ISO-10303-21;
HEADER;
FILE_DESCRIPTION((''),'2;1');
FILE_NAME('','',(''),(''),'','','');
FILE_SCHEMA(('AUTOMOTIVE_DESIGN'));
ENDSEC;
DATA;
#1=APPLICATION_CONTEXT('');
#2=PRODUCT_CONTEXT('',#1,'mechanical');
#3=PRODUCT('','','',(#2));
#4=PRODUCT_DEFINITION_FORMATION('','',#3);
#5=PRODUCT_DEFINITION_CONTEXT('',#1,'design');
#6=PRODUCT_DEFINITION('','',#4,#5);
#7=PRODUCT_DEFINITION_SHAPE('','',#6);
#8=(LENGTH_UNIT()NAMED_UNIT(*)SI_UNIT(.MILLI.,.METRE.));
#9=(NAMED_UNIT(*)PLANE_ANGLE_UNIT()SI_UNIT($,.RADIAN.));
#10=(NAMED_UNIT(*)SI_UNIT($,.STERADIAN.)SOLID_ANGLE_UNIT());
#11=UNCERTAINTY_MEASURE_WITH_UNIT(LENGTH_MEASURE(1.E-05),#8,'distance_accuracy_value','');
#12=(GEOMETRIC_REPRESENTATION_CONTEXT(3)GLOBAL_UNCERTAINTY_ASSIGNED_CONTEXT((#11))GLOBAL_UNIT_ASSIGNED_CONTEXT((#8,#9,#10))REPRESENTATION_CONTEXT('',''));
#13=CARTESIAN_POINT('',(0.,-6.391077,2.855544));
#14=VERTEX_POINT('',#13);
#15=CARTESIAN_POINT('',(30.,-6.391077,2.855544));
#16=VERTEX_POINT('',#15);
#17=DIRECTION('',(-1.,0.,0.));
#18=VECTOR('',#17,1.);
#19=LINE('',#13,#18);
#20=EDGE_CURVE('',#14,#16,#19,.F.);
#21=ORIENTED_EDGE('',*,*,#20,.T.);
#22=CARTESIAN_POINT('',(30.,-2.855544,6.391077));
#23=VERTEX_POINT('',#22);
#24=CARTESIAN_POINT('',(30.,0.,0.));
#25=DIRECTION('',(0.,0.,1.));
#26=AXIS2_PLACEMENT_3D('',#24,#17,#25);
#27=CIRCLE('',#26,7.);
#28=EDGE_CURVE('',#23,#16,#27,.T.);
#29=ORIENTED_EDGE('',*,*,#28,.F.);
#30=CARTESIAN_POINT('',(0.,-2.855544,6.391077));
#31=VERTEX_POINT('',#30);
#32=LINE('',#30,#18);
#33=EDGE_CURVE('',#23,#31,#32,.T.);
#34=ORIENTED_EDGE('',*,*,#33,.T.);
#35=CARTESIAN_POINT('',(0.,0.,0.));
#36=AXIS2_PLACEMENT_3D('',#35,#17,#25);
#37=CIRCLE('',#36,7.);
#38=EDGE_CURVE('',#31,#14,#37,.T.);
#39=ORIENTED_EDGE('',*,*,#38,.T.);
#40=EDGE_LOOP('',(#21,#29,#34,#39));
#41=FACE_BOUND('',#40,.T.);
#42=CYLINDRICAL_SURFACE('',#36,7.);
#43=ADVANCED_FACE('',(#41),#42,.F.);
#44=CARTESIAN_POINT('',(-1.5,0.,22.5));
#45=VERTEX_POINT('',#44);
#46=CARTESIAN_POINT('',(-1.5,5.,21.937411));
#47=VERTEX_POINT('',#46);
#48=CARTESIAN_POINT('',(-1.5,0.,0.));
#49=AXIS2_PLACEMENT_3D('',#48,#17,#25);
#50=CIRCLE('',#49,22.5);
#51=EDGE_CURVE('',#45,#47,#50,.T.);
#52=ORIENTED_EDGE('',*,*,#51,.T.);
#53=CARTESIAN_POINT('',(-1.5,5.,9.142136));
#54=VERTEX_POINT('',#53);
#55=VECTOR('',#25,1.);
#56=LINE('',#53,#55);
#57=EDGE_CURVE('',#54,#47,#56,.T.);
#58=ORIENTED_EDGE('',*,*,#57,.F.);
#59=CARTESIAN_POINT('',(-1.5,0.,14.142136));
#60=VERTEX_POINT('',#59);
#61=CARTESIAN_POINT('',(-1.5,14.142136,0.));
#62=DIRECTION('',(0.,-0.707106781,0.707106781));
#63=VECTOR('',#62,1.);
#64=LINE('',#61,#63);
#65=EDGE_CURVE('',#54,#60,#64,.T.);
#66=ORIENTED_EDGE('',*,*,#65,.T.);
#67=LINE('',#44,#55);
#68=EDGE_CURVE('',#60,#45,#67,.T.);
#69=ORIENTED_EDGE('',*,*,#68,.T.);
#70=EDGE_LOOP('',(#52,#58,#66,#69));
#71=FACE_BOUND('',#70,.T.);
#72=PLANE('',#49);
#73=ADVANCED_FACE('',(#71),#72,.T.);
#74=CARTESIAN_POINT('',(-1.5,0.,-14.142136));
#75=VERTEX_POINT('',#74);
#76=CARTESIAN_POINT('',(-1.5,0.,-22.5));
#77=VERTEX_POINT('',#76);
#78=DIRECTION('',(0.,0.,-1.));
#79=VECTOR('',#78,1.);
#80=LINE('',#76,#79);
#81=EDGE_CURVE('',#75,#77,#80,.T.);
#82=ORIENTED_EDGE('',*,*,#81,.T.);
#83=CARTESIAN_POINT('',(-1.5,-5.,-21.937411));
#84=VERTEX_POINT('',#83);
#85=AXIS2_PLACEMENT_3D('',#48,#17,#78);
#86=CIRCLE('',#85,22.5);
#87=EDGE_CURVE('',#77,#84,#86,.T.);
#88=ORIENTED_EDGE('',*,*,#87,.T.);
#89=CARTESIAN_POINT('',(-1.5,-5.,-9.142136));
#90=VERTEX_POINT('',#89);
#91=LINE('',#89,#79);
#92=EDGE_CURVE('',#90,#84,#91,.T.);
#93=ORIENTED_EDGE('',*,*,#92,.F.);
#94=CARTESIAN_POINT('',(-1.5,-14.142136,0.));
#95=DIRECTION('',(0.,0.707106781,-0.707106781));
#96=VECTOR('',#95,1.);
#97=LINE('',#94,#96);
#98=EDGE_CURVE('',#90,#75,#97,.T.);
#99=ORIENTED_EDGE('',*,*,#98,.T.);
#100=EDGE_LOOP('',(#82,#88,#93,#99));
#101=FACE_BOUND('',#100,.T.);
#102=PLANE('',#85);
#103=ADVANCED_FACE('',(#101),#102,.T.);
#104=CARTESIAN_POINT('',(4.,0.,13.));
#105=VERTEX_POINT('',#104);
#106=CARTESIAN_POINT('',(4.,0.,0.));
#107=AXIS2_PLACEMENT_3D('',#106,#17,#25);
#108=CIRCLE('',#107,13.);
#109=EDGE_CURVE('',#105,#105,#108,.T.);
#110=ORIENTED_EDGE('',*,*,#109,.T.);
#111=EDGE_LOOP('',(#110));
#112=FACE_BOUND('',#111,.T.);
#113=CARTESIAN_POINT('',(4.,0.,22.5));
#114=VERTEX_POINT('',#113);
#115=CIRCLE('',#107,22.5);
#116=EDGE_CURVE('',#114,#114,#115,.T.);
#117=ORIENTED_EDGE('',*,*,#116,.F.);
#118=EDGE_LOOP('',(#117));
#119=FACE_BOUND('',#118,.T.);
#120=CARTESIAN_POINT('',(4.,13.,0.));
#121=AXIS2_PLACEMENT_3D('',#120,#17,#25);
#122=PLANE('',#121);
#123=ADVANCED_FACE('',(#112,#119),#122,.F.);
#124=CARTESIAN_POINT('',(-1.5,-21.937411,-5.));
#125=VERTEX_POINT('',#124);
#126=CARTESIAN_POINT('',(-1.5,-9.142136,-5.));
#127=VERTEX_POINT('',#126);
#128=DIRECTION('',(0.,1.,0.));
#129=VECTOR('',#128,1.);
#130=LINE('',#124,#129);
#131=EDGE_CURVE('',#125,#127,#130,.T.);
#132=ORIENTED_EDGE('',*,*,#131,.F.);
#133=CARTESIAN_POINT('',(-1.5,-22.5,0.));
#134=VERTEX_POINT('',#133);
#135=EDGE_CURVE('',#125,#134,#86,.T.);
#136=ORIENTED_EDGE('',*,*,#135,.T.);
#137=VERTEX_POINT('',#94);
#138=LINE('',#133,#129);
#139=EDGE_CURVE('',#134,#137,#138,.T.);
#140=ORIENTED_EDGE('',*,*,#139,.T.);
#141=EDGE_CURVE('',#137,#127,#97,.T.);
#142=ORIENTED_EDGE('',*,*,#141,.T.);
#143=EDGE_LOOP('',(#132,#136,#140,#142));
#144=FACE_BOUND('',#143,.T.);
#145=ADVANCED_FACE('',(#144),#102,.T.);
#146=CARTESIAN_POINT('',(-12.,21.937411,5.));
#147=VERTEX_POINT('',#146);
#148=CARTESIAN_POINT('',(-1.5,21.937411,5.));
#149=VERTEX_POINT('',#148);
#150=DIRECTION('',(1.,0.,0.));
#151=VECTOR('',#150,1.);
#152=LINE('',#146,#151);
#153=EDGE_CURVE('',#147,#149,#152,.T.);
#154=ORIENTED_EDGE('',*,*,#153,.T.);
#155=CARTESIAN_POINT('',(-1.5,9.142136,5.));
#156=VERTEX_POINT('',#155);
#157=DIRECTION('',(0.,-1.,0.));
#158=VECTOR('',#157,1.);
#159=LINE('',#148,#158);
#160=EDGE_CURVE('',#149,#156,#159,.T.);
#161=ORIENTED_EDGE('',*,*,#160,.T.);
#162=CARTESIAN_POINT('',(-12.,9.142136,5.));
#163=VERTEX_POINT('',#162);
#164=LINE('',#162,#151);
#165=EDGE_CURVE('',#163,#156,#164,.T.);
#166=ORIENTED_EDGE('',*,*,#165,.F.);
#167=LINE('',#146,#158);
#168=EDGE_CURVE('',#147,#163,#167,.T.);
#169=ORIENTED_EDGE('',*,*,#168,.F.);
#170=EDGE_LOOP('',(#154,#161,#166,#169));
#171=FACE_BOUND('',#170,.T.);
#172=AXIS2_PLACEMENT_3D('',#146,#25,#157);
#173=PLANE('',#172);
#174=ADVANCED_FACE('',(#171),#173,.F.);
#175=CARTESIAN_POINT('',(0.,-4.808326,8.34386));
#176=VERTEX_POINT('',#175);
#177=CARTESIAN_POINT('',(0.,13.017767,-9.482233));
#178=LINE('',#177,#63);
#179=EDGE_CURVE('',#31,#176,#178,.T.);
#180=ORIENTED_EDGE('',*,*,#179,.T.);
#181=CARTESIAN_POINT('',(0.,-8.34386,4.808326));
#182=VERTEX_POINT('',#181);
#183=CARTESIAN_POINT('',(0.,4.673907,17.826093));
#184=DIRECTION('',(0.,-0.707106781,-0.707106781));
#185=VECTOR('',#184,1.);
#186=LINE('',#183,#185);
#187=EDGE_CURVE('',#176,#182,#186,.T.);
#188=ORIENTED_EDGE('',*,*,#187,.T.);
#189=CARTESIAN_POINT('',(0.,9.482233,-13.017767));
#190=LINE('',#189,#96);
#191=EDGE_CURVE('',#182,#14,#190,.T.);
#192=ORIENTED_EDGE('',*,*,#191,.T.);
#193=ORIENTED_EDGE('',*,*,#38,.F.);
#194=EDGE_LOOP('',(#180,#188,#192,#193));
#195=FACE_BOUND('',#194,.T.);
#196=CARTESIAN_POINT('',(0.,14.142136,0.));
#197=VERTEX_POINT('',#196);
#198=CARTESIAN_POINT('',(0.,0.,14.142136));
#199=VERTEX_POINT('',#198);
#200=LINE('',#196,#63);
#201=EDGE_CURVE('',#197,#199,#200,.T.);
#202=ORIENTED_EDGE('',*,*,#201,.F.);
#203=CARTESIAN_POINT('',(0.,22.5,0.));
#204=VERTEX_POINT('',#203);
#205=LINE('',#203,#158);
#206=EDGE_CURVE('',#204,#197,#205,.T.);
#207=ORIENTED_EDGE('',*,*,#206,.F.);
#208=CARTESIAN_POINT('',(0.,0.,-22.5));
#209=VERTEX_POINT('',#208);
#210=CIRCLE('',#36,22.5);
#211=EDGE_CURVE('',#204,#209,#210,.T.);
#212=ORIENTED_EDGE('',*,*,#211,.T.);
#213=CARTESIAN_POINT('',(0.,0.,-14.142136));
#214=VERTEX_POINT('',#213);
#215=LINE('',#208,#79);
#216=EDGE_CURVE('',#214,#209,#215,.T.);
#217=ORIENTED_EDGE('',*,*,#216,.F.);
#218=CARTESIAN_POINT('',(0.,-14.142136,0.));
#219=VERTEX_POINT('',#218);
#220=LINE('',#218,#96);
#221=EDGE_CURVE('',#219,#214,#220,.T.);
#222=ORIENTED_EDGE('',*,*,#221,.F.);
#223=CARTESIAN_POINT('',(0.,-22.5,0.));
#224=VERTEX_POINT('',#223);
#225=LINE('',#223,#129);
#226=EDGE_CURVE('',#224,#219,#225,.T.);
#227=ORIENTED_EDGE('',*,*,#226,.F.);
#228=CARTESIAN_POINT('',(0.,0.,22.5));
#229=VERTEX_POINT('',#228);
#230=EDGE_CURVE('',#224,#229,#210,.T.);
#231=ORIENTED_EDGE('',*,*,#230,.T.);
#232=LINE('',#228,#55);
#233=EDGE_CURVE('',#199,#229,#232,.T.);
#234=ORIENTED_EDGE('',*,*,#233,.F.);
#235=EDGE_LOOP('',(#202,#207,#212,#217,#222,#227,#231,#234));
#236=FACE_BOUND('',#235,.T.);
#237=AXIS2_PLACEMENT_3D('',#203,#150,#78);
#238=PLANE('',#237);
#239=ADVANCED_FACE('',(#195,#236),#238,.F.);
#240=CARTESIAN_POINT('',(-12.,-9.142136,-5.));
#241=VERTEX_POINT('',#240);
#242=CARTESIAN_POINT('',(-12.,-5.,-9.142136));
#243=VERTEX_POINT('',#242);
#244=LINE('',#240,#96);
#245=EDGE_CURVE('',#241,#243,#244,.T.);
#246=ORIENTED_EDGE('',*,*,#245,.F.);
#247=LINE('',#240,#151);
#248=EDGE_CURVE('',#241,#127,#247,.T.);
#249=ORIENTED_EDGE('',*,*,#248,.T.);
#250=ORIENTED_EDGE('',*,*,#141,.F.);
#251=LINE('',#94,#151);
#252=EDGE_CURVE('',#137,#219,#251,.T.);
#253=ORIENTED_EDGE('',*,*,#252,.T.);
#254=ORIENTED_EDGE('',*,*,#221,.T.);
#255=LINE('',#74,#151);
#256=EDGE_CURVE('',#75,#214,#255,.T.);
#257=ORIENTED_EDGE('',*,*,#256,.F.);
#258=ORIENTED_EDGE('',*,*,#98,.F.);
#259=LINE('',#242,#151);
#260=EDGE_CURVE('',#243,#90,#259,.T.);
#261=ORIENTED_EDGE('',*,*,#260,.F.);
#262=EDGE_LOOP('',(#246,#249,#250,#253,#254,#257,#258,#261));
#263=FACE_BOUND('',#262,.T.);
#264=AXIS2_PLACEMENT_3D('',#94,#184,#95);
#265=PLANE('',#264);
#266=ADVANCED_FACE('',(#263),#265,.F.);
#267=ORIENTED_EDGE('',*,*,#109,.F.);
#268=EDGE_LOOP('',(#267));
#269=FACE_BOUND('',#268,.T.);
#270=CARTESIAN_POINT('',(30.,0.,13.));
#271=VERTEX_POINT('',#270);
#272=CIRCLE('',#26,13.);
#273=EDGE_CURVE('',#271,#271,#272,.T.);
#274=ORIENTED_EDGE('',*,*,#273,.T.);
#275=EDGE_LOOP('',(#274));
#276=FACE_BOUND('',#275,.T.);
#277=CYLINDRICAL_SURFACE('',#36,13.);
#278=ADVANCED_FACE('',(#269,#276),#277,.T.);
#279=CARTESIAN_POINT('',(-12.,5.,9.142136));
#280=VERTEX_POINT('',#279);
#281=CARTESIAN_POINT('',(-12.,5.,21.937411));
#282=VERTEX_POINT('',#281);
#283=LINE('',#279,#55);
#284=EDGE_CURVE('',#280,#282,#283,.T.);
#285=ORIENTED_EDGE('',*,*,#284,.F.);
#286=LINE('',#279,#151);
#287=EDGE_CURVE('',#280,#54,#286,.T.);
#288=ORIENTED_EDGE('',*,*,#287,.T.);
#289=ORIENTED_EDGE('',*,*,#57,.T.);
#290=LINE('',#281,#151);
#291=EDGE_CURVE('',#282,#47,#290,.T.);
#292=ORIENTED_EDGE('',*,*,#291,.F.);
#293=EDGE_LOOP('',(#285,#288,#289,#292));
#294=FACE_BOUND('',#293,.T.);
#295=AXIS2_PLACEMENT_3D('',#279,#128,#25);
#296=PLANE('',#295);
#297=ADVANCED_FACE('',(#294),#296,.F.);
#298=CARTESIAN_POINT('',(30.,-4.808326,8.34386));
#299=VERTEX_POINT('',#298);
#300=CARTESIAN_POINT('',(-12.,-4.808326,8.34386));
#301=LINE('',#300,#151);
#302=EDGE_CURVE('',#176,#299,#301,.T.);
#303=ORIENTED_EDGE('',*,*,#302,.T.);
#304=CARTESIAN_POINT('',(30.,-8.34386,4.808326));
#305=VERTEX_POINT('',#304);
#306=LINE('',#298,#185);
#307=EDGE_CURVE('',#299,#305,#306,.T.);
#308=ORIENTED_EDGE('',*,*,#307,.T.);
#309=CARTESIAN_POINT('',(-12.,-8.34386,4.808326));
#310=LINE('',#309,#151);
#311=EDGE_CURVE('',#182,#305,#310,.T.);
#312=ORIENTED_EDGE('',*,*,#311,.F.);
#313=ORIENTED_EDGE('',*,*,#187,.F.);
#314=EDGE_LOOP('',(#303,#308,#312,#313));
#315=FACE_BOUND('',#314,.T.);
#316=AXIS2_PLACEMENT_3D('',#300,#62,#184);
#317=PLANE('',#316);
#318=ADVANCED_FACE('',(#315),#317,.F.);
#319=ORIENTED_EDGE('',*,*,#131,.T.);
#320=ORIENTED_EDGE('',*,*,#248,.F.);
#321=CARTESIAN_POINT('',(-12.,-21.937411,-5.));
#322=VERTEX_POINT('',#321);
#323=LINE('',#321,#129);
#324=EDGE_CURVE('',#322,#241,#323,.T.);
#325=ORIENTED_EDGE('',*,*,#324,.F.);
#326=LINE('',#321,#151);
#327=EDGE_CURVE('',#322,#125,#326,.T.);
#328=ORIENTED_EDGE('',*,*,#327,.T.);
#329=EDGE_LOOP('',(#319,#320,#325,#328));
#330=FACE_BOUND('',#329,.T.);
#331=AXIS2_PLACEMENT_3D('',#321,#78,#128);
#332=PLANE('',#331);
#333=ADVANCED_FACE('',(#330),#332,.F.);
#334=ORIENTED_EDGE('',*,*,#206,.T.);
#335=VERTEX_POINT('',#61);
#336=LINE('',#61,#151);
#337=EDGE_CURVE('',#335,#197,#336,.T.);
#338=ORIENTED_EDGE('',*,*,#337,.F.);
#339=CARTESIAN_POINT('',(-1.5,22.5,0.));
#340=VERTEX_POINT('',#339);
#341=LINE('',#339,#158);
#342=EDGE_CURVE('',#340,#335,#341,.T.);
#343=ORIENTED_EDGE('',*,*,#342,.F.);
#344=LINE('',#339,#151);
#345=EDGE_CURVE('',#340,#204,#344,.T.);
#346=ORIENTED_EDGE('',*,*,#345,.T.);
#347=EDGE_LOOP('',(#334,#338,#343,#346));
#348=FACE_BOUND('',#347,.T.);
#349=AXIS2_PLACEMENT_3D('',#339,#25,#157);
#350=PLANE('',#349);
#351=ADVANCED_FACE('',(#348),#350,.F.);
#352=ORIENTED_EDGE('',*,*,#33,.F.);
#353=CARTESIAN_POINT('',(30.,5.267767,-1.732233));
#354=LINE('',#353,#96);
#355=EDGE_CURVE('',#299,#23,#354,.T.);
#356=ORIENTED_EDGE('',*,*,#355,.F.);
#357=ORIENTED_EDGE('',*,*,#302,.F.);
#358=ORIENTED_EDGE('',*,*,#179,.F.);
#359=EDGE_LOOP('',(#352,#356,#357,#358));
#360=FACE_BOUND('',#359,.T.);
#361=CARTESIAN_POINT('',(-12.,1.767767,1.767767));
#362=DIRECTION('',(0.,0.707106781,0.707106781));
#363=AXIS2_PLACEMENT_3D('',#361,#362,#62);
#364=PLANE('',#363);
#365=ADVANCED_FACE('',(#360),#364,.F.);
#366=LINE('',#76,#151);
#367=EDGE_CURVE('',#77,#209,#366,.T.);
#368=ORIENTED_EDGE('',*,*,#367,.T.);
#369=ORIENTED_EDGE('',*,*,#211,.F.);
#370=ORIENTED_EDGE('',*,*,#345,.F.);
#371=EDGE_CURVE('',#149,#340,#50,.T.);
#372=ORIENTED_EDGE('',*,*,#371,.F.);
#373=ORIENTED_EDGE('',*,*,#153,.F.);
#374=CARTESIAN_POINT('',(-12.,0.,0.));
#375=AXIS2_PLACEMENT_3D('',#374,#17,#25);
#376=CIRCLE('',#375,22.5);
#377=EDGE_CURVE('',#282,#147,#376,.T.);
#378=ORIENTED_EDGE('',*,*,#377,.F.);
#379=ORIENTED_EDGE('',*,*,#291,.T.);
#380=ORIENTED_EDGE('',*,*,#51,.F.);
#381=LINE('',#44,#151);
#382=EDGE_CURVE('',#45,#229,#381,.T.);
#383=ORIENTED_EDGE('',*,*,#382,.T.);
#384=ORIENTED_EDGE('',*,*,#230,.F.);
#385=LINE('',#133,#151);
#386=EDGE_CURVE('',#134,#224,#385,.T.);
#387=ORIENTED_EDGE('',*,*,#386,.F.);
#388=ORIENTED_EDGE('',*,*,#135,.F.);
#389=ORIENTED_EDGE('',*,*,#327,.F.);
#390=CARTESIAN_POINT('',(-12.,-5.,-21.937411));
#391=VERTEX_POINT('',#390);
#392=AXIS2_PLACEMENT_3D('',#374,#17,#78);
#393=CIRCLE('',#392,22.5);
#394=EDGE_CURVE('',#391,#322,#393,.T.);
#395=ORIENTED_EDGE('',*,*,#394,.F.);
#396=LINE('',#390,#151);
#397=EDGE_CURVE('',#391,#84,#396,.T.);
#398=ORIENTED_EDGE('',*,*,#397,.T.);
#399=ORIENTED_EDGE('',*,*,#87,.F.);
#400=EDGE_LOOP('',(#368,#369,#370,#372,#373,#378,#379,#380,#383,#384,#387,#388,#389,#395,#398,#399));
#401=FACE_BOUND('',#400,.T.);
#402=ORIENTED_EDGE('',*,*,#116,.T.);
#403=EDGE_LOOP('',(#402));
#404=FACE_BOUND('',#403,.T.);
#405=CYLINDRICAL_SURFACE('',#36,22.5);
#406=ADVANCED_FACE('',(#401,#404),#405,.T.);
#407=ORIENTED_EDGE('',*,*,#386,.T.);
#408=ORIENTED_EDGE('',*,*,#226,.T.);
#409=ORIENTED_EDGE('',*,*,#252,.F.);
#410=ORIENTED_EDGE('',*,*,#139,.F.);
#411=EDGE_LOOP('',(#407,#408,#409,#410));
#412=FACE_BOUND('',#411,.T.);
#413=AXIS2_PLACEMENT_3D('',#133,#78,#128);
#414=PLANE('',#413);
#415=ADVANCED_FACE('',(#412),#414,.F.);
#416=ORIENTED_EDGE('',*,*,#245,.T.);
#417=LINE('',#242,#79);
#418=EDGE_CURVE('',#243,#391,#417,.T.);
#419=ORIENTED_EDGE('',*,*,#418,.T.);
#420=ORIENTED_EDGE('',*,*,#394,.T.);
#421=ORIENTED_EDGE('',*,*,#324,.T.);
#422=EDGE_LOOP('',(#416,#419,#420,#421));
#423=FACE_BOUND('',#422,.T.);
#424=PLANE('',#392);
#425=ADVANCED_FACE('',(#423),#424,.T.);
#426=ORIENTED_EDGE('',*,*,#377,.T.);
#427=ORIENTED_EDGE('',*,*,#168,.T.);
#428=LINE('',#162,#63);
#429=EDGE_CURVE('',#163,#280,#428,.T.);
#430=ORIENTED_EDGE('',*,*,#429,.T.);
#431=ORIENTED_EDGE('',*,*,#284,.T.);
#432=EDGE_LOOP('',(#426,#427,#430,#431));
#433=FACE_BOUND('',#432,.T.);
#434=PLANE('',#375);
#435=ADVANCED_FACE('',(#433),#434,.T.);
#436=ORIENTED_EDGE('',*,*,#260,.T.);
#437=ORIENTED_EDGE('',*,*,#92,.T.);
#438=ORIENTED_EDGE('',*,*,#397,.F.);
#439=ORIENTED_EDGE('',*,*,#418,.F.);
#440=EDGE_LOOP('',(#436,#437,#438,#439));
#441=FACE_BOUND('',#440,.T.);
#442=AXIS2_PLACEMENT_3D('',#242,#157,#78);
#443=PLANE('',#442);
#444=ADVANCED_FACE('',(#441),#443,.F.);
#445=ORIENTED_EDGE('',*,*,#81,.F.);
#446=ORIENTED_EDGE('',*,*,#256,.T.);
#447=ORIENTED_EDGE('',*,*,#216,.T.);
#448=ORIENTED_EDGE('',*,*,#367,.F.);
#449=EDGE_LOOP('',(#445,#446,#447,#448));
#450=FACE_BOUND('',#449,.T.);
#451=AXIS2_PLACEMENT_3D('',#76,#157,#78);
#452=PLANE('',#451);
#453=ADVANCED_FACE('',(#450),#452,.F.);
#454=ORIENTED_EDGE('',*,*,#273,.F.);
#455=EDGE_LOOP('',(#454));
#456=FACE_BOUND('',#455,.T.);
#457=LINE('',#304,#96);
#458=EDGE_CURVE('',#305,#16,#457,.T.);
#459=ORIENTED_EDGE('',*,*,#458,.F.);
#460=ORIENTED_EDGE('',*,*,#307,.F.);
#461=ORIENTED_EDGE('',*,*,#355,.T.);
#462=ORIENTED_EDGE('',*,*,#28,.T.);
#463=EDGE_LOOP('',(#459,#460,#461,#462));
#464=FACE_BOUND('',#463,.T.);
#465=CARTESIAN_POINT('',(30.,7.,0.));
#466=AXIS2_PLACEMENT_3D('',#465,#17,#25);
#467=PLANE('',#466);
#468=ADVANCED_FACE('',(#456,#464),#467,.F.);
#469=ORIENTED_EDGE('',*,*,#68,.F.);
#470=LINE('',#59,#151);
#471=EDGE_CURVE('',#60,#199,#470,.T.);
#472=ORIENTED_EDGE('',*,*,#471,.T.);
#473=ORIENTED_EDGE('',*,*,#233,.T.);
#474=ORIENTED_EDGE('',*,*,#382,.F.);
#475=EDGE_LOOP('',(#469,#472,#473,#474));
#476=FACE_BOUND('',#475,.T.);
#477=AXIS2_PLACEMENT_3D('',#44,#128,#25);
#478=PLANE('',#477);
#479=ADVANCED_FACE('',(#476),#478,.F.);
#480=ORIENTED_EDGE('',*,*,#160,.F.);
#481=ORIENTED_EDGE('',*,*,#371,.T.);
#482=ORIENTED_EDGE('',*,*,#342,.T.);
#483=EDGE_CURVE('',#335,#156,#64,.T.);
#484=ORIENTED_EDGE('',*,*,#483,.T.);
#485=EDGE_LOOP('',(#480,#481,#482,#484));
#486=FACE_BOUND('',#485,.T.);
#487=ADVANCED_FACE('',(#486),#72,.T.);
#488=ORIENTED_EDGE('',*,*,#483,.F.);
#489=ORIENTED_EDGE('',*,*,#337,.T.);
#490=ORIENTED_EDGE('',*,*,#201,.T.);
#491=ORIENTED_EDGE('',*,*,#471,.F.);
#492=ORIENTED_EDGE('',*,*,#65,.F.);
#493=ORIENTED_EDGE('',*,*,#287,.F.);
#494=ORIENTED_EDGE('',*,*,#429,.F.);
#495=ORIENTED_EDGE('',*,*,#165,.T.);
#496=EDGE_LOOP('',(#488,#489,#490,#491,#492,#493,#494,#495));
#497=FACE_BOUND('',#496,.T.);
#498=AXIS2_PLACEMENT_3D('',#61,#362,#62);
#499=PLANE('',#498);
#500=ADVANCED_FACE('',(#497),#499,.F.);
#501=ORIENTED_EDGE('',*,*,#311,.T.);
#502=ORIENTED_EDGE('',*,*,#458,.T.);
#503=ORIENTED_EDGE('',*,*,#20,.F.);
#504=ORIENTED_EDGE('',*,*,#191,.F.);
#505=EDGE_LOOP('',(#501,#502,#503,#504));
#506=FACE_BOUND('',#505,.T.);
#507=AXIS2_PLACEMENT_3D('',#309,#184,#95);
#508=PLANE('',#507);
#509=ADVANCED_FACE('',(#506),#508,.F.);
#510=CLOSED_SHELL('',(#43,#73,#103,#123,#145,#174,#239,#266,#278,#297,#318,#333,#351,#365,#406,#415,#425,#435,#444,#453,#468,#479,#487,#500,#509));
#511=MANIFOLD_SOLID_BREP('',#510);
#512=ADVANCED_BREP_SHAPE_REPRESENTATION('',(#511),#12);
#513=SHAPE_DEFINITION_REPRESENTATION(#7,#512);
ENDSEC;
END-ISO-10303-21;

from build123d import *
from build123d.topology import SkipClean

# Parameters (mm, degrees)
EXTRUDE_START            = 1.5
EXTRUDE_4_DEPTH          = 1.5
EXTRUDE_START_2          = 10.5
EXTRUDE_5_DEPTH          = 10.5
PATTERN_CIRCULAR_2_COUNT = 2
CUT_EXTRUDE_3_DEPTH      = 53.692504211


with BuildPart() as part:
    # Эскиз1 → Повернуть1 (revolve)
    with BuildSketch(Plane.XY, mode=Mode.PRIVATE) as revolve_1_sk:
        Polygon((0, 22.5), (0, 7), (30, 7), (30, 13), (4, 13), (4, 22.5), align=None)
    revolve(revolve_1_sk.sketch.rotate(Axis((0, 0, 0), (1, 0, 0)), 90), axis=Axis((0, 0, 0), (1, 0, 0)))

    # Эскиз7 → Бобышка-Вытянуть4 (add)
    with BuildSketch(Plane.ZY.offset(EXTRUDE_START)):
        with BuildLine():
            Line((0, 22.5), (0, 14.142135624))
            Line((0, 14.142135624), (14.142135624, 0))
            Line((14.142135624, 0), (22.5, 0))
            ThreePointArc((22.5, 0), (15.909902577, 15.909902577), (0, 22.5))
        make_face()
    extrude_4 = extrude(amount=-EXTRUDE_4_DEPTH)

    # Эскиз9 → Бобышка-Вытянуть5 (add)
    with BuildSketch(Plane.ZY.offset(1.5).offset(EXTRUDE_START_2)):
        with BuildLine():
            Line((5, 21.937410968), (5, 9.142135624))
            Line((5, 9.142135624), (9.142135624, 5))
            Line((9.142135624, 5), (21.937410968, 5))
            ThreePointArc((21.937410968, 5), (15.909902577, 15.909902577), (5, 21.937410968))
        make_face()
    extrude_5 = extrude(amount=-EXTRUDE_5_DEPTH)

    # Круговой массив2: Бобышка-Вытянуть4, Бобышка-Вытянуть5 ×2 about axis
    with SkipClean():  # the faces are left unmerged after this step: merging them gives an invalid solid
        pattern_circular_2_axis = Axis((0, 0, 0), (1, 0, 0))
        add([extrude_4.rotate(pattern_circular_2_axis, i * 360 / PATTERN_CIRCULAR_2_COUNT) for i in range(1, PATTERN_CIRCULAR_2_COUNT)])
        add([extrude_5.rotate(pattern_circular_2_axis, i * 360 / PATTERN_CIRCULAR_2_COUNT) for i in range(1, PATTERN_CIRCULAR_2_COUNT)])

    # Эскиз10 → Вырез-Вытянуть3 (cut, through all)
    with SkipClean():  # the faces are left unmerged after this step: merging them gives an invalid solid
        with BuildSketch(Plane(origin=(30, 0, 0), x_dir=(0, 0, -1), z_dir=(1, 0, 0))):
            Polygon((1.767766953, -1.767766953), (-1.767766953, 1.767766953), (-8.343860018, -4.808326112), (-4.808326112, -8.343860018), align=None)
        extrude(amount=-CUT_EXTRUDE_3_DEPTH, mode=Mode.SUBTRACT)


solid = part.part
